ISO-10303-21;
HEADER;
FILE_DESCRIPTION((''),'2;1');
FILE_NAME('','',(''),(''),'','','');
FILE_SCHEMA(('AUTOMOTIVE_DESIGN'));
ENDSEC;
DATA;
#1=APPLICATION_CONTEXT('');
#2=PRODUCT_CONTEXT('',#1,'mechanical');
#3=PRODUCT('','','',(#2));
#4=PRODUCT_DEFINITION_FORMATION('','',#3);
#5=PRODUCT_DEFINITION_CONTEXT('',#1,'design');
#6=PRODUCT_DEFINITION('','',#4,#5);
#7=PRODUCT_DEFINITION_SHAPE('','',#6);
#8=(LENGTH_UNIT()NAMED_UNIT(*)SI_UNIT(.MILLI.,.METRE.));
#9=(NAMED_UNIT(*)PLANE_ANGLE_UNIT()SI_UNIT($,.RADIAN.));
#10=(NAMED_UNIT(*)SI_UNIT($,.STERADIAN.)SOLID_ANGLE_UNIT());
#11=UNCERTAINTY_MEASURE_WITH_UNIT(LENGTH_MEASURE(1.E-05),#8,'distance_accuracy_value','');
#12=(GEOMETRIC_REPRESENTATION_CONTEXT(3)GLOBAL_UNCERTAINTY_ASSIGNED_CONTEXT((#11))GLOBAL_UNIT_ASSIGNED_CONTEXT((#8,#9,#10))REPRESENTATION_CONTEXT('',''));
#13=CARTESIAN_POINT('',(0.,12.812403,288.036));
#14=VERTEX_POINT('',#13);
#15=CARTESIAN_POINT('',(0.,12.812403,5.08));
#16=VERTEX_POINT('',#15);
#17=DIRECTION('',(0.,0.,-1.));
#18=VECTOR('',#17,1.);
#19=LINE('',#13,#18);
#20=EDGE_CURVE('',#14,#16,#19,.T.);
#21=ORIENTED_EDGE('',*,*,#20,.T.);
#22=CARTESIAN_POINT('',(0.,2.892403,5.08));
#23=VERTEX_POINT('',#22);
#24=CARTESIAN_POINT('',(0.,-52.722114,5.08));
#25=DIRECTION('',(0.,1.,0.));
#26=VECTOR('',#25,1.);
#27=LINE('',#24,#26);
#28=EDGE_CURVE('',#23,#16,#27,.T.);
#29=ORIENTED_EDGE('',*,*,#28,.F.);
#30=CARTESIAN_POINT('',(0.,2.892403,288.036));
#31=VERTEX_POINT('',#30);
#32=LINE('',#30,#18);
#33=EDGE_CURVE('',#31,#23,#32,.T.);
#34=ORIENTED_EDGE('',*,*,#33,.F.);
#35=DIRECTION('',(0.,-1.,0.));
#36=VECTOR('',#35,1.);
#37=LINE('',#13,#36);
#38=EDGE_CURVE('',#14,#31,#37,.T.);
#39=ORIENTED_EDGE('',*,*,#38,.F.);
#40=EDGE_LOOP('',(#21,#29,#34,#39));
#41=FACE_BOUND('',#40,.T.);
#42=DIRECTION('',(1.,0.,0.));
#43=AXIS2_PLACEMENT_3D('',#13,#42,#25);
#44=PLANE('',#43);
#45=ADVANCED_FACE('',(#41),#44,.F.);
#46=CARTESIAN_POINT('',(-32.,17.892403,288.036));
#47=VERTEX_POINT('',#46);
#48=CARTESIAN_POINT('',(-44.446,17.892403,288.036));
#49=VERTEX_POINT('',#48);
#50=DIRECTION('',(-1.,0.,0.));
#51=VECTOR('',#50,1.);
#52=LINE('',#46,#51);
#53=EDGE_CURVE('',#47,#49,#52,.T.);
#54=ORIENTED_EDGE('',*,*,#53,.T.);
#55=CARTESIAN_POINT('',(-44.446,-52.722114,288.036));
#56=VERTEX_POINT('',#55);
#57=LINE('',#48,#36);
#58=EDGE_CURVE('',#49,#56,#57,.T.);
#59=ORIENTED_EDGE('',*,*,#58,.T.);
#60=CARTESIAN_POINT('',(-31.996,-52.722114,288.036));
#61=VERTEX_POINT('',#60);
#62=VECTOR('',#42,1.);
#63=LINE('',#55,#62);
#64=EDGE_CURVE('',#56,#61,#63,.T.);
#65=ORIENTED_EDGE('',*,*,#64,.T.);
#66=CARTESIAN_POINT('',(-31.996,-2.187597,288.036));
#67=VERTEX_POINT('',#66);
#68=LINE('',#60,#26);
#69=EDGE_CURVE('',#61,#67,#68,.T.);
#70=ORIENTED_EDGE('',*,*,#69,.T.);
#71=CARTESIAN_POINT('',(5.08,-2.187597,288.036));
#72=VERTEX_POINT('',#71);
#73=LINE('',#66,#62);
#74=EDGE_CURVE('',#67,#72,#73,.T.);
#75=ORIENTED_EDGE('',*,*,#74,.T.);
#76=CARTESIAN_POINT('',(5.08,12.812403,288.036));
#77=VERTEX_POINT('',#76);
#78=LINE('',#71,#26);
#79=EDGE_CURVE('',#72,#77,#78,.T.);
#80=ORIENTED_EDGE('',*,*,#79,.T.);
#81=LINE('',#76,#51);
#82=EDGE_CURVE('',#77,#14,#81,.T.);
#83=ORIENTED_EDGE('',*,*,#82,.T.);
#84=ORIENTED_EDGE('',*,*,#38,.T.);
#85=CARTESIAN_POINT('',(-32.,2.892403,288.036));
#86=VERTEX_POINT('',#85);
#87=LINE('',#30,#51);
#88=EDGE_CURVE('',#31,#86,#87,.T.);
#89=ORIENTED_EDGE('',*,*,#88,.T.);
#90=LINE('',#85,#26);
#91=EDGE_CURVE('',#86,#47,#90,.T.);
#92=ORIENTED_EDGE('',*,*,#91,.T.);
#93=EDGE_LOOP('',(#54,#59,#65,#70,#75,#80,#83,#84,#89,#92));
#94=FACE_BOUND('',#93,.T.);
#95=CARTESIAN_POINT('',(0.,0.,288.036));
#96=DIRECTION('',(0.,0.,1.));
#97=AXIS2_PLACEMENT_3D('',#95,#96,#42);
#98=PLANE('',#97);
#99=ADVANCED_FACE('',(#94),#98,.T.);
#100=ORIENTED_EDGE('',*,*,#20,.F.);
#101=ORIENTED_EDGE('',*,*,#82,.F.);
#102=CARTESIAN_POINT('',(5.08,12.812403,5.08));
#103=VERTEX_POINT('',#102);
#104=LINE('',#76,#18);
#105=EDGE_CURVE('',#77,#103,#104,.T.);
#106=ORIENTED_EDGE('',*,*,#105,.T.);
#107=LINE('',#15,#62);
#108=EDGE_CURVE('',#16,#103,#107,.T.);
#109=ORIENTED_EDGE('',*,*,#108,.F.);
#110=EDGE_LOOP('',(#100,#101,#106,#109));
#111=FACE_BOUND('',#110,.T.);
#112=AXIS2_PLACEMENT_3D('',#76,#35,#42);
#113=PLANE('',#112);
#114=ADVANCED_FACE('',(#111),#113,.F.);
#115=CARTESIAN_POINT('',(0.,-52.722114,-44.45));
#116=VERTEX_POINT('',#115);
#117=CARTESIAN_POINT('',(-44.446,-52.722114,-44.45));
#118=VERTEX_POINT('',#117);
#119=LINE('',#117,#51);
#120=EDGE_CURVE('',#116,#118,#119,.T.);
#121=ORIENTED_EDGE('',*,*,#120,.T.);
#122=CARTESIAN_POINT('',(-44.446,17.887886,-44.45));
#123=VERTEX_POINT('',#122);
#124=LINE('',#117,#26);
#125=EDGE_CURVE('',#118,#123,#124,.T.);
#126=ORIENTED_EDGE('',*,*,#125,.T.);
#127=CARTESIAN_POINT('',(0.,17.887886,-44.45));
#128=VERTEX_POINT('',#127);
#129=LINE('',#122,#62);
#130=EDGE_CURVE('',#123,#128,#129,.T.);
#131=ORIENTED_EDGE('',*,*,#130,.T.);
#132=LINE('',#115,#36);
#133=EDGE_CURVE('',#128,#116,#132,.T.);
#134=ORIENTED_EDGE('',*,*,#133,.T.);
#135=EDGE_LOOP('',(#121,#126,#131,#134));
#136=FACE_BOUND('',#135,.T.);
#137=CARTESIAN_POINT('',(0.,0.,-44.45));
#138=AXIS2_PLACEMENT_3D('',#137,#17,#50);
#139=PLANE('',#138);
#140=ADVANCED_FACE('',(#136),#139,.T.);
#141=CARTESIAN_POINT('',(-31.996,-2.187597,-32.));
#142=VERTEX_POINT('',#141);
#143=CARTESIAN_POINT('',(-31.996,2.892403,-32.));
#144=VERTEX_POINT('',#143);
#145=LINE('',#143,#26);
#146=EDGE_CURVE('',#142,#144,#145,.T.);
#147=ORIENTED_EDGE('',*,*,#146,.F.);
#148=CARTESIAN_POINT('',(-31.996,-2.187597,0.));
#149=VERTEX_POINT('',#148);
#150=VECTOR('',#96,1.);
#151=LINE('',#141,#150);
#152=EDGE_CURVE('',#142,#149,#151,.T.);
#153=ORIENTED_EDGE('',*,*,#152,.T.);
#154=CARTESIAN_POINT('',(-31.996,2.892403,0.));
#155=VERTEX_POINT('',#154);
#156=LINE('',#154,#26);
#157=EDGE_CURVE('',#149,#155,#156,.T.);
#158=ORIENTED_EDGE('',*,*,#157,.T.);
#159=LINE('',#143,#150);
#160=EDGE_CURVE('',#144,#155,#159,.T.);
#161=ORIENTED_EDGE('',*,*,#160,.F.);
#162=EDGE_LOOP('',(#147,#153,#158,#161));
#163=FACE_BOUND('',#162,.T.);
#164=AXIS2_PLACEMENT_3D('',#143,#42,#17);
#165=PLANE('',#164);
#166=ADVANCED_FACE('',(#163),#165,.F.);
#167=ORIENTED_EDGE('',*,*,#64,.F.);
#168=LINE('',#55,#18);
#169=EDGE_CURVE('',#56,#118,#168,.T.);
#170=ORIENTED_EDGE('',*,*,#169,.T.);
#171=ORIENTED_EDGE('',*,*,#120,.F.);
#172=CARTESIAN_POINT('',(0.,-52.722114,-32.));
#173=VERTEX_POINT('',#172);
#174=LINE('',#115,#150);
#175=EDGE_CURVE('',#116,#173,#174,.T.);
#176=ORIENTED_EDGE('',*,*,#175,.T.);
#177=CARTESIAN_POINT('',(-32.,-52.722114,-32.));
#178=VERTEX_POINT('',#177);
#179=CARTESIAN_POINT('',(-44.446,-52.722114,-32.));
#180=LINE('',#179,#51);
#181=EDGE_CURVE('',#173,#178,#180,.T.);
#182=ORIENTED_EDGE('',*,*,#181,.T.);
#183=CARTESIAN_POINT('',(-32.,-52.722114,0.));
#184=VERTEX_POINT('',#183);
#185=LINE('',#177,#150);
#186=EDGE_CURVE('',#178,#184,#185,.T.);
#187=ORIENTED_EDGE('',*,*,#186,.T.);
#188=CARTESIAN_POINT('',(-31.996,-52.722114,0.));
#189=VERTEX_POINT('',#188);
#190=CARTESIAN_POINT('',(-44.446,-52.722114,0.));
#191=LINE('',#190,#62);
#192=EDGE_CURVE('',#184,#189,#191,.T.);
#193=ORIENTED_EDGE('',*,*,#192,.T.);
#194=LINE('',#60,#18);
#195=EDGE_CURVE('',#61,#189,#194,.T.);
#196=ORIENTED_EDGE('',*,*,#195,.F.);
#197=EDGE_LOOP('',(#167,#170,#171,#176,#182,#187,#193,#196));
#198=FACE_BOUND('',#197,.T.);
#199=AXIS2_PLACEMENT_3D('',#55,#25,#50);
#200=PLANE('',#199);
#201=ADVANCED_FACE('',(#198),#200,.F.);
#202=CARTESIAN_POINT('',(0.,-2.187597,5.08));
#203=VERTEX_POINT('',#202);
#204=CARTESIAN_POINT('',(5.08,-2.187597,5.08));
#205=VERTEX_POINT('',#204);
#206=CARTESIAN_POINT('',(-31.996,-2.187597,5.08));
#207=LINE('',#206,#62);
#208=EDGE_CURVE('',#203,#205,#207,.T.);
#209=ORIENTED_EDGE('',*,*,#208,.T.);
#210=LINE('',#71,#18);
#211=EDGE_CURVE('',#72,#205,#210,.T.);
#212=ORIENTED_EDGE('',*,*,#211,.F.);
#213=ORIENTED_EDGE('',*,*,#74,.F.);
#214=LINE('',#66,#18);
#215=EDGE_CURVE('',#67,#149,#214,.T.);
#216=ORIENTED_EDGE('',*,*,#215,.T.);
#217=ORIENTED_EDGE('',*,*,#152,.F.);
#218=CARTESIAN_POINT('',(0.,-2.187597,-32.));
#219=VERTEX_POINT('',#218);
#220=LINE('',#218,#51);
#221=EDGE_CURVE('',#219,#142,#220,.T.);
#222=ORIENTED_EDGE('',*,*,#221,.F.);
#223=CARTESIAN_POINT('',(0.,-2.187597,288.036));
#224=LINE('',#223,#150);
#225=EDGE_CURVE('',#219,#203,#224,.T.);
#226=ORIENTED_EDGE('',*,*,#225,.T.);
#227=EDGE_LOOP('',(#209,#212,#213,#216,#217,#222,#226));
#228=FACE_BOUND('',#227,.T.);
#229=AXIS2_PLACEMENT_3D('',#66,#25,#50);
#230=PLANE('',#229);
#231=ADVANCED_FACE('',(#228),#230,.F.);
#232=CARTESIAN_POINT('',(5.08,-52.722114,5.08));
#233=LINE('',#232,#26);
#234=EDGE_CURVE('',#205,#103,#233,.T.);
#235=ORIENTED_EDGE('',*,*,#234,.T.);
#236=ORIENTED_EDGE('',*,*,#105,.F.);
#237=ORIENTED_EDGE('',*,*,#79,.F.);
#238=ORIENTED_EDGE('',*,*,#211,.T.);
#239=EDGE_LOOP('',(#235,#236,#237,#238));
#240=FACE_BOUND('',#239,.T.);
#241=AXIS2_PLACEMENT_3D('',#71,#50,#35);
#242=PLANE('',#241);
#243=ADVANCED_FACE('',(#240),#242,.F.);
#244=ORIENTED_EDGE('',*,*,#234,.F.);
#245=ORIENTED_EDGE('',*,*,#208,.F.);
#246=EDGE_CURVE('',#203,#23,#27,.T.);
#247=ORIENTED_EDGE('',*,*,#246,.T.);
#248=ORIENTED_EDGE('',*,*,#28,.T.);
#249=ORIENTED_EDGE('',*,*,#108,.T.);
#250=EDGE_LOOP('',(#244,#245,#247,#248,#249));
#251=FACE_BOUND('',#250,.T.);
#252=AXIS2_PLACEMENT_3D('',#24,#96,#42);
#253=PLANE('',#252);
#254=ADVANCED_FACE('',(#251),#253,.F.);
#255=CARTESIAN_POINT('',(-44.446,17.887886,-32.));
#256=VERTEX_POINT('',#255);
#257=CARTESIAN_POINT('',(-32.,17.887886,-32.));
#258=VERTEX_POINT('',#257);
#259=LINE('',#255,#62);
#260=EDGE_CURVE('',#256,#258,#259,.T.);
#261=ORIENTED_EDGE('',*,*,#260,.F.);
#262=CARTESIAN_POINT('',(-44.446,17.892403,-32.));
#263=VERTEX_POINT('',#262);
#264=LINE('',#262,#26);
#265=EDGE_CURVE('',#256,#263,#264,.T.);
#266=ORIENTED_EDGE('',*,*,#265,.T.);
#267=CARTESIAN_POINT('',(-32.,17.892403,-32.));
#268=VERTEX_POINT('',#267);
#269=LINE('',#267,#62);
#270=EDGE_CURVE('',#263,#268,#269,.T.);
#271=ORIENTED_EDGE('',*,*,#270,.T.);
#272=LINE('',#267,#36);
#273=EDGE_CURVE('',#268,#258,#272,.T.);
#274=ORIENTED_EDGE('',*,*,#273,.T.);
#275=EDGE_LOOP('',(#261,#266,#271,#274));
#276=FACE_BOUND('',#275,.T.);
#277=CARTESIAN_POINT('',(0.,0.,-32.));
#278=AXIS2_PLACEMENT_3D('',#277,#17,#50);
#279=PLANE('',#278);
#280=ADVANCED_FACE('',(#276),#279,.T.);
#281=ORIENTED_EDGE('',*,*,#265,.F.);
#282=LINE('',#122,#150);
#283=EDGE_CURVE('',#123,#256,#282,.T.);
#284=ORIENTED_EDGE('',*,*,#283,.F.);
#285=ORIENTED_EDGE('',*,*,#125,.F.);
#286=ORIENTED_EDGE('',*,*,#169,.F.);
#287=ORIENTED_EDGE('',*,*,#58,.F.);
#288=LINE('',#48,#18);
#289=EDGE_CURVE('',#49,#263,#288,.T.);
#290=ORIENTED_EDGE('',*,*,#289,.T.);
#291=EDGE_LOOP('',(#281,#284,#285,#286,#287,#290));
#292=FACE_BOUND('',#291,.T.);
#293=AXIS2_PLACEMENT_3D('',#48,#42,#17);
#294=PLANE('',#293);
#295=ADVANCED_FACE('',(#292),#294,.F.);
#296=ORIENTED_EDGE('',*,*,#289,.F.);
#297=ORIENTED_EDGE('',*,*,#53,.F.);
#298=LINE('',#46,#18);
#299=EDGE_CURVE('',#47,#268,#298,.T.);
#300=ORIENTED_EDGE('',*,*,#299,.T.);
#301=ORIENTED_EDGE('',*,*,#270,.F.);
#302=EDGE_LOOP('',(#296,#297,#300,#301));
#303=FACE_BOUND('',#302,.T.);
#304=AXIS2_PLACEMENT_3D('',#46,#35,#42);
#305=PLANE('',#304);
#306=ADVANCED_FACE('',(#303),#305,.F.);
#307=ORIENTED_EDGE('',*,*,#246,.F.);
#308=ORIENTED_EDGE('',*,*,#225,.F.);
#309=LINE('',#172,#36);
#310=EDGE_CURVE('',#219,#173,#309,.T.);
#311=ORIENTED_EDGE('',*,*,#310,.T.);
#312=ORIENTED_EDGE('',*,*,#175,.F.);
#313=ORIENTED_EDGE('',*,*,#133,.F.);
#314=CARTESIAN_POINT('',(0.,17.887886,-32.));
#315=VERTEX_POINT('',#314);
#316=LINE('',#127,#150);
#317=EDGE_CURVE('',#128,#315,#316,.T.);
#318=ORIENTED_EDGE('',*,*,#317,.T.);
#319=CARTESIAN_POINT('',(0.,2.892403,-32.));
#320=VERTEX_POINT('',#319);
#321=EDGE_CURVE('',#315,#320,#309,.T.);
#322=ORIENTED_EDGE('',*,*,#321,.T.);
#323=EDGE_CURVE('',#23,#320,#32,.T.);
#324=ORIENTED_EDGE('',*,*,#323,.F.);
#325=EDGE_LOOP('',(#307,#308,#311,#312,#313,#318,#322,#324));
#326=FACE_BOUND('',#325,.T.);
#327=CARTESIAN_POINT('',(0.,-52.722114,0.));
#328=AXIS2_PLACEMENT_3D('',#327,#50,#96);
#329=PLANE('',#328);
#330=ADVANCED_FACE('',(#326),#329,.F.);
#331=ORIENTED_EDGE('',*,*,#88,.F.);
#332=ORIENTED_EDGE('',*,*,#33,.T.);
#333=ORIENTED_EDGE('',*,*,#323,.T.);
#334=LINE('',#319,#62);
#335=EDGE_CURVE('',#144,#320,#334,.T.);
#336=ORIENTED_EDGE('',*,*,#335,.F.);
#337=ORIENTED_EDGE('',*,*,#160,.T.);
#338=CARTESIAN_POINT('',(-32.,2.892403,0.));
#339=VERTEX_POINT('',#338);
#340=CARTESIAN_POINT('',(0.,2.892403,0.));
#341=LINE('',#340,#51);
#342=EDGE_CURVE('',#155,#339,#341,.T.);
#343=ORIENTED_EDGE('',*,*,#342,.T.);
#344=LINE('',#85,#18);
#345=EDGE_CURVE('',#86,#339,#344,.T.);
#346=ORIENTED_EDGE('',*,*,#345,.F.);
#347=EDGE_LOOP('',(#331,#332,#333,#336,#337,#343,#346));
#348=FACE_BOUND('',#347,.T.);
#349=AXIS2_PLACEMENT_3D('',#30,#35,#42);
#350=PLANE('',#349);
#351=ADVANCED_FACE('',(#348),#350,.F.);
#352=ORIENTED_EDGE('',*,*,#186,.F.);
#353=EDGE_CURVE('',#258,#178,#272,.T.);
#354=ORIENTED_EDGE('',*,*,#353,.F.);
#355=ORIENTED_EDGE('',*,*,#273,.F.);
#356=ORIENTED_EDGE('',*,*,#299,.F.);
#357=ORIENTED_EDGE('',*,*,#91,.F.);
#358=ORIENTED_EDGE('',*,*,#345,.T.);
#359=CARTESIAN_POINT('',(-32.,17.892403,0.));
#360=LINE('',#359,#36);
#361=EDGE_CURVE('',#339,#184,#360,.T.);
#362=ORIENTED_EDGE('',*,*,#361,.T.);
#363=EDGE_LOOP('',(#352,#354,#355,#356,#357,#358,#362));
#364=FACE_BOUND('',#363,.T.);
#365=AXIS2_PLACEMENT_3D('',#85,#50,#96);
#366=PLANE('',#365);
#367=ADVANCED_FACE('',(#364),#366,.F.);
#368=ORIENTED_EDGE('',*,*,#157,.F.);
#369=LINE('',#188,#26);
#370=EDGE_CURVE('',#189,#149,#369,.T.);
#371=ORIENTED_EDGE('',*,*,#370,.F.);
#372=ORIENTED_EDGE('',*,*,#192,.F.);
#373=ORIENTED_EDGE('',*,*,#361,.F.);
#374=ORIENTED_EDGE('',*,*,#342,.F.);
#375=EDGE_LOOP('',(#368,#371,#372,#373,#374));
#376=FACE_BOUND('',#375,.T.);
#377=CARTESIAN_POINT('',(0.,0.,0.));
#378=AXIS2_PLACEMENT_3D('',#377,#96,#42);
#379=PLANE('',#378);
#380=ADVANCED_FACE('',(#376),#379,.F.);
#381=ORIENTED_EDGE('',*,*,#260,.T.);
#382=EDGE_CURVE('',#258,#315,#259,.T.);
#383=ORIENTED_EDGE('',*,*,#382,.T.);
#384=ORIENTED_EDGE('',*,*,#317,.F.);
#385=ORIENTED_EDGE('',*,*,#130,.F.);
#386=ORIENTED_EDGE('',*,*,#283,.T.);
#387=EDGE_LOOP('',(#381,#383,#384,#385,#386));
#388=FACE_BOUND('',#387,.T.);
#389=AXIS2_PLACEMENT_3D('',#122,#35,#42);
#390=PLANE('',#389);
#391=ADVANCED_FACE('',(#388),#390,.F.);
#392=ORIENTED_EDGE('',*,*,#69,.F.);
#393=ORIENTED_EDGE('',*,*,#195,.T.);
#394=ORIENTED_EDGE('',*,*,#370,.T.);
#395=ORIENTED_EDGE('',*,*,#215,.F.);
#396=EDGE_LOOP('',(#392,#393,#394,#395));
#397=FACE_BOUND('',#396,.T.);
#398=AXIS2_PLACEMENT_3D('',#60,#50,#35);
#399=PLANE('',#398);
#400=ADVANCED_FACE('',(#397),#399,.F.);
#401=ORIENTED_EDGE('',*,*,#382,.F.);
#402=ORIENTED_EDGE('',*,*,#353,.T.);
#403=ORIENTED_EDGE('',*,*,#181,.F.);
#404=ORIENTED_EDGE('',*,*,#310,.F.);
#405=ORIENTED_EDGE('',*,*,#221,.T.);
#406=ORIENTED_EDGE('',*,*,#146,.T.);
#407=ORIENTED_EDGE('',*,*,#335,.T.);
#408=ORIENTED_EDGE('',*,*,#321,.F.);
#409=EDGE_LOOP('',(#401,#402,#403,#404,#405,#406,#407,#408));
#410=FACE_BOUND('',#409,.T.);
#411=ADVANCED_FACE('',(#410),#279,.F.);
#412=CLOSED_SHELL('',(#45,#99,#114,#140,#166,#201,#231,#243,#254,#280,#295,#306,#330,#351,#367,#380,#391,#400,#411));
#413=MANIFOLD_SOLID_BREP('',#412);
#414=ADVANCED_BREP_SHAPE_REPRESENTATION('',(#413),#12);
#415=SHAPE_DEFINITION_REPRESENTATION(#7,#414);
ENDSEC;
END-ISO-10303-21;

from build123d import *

# Parameters (mm, degrees)
BOSS_EXTRUDE1_DEPTH = 288.036
SKETCH2_W           = 5.08
SKETCH2_H           = 5.08
CUT_EXTRUDE1_DEPTH  = 299.722207266
SKETCH3_W           = 12.446
SKETCH3_H           = 70.614516874
SKETCH3_W_2         = 31.996
SKETCH3_H_2         = 5.08
BOSS_EXTRUDE2_DEPTH = 32
SKETCH7_W           = 44.446
SKETCH7_H           = 70.61
BOSS_EXTRUDE3_DEPTH = 12.45


with BuildPart() as part:
    # Sketch1 → Boss-Extrude1 (new body)
    with BuildSketch(Plane.XY):
        Polygon((-44.446, 17.892402527), (-44.446, -52.722114347), (-31.996, -52.722114347), (-31.996, -2.187597473), (5.08, -2.187597473), (5.08, 12.812402527), (0, 12.812402527), (0, 2.892402527), (-32, 2.892402527), (-32, 17.892402527), align=None)
    extrude(amount=BOSS_EXTRUDE1_DEPTH)

    # Sketch2 → Cut-Extrude1 (cut, through all)
    with BuildSketch(Plane(origin=(0, 12.812402527, 0), x_dir=(1, 0, 0), z_dir=(0, 1, 0))):
        with Locations((2.54, -2.54)):
            Rectangle(SKETCH2_W, SKETCH2_H)
    extrude(amount=-CUT_EXTRUDE1_DEPTH, mode=Mode.SUBTRACT)

    # Sketch3 → Boss-Extrude2 (add)
    with BuildSketch(Plane(origin=(0, 0, 0), x_dir=(-1, 0, 0), z_dir=(0, 0, -1))):
        with Locations((38.223, -17.41485591)):
            Rectangle(SKETCH3_W, SKETCH3_H)
        with Locations((15.998, 0.352402527)):
            Rectangle(SKETCH3_W_2, SKETCH3_H_2)
    extrude(amount=BOSS_EXTRUDE2_DEPTH)

    # Sketch7 → Boss-Extrude3 (add)
    with BuildSketch(Plane(origin=(0, 0, -32), x_dir=(-1, 0, 0), z_dir=(0, 0, -1))):
        with Locations((22.223, -17.417114347)):
            Rectangle(SKETCH7_W, SKETCH7_H)
    extrude(amount=BOSS_EXTRUDE3_DEPTH)


solid = part.part
